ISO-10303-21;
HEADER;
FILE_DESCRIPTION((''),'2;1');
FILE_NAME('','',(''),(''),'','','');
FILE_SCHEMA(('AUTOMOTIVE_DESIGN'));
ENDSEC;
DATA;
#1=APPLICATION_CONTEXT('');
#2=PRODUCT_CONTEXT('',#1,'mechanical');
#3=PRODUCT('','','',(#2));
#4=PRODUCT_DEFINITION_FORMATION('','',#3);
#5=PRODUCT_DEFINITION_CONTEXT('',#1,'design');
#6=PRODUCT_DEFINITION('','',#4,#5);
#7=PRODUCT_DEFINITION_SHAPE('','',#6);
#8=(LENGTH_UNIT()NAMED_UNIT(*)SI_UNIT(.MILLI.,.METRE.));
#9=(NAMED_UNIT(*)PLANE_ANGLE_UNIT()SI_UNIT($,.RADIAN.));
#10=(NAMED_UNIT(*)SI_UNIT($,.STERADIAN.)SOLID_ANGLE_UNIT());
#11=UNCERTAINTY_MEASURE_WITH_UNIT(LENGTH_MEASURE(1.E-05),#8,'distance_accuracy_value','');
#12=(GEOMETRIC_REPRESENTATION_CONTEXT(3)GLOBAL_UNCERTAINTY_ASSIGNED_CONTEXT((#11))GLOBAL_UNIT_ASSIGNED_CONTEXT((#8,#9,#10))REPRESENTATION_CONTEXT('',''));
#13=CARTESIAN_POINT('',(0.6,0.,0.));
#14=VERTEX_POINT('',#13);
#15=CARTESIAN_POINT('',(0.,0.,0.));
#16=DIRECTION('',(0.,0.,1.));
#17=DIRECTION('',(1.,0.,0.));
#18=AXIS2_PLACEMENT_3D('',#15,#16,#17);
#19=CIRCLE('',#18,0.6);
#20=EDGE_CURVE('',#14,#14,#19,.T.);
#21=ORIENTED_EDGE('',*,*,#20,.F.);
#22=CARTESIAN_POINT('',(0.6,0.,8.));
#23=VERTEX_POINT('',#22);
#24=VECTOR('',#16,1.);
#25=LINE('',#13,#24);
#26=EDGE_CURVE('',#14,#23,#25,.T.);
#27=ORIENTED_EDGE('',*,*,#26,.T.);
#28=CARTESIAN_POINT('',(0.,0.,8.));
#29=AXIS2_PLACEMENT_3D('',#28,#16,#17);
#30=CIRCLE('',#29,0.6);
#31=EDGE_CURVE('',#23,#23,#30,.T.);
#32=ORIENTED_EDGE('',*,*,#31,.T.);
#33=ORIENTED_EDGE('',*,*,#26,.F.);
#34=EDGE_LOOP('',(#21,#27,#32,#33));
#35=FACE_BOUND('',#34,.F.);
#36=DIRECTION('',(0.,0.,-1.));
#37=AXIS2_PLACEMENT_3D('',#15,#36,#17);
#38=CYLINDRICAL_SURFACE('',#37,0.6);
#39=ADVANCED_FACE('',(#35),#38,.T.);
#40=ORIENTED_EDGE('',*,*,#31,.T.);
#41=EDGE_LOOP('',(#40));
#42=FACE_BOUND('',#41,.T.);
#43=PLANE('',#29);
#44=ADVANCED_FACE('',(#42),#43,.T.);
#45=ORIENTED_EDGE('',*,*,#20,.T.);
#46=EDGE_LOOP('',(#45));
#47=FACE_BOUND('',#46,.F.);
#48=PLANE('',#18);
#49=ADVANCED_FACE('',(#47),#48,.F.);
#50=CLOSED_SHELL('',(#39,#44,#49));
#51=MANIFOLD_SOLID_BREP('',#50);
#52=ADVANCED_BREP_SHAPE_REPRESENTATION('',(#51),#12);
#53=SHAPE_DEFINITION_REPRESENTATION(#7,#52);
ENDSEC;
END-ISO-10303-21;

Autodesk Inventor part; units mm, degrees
ref_plane "YZ Plane" through (0, 0, 0) normal (1, 0, 0) x (0, 1, 0)
ref_plane "XZ Plane" through (0, 0, 0) normal (0, 1, 0) x (-1, 0, 0)
ref_plane "XY Plane" through (0, 0, 0) normal (0, 0, 1) x (1, 0, 0)
sketch "スケッチ1" plane through (0, 0, 0) normal (0, 0, 1) x (1, 0, 0)
  circle A0 centre (0, 0) radius 0.6
  dimension "d0" = 1.2
extrude "押し出し1" add sketch "スケッチ1" along normal blind 8
properties part number "平行ピン　φ1.2　長さ8" material "ステンレス鋼"
